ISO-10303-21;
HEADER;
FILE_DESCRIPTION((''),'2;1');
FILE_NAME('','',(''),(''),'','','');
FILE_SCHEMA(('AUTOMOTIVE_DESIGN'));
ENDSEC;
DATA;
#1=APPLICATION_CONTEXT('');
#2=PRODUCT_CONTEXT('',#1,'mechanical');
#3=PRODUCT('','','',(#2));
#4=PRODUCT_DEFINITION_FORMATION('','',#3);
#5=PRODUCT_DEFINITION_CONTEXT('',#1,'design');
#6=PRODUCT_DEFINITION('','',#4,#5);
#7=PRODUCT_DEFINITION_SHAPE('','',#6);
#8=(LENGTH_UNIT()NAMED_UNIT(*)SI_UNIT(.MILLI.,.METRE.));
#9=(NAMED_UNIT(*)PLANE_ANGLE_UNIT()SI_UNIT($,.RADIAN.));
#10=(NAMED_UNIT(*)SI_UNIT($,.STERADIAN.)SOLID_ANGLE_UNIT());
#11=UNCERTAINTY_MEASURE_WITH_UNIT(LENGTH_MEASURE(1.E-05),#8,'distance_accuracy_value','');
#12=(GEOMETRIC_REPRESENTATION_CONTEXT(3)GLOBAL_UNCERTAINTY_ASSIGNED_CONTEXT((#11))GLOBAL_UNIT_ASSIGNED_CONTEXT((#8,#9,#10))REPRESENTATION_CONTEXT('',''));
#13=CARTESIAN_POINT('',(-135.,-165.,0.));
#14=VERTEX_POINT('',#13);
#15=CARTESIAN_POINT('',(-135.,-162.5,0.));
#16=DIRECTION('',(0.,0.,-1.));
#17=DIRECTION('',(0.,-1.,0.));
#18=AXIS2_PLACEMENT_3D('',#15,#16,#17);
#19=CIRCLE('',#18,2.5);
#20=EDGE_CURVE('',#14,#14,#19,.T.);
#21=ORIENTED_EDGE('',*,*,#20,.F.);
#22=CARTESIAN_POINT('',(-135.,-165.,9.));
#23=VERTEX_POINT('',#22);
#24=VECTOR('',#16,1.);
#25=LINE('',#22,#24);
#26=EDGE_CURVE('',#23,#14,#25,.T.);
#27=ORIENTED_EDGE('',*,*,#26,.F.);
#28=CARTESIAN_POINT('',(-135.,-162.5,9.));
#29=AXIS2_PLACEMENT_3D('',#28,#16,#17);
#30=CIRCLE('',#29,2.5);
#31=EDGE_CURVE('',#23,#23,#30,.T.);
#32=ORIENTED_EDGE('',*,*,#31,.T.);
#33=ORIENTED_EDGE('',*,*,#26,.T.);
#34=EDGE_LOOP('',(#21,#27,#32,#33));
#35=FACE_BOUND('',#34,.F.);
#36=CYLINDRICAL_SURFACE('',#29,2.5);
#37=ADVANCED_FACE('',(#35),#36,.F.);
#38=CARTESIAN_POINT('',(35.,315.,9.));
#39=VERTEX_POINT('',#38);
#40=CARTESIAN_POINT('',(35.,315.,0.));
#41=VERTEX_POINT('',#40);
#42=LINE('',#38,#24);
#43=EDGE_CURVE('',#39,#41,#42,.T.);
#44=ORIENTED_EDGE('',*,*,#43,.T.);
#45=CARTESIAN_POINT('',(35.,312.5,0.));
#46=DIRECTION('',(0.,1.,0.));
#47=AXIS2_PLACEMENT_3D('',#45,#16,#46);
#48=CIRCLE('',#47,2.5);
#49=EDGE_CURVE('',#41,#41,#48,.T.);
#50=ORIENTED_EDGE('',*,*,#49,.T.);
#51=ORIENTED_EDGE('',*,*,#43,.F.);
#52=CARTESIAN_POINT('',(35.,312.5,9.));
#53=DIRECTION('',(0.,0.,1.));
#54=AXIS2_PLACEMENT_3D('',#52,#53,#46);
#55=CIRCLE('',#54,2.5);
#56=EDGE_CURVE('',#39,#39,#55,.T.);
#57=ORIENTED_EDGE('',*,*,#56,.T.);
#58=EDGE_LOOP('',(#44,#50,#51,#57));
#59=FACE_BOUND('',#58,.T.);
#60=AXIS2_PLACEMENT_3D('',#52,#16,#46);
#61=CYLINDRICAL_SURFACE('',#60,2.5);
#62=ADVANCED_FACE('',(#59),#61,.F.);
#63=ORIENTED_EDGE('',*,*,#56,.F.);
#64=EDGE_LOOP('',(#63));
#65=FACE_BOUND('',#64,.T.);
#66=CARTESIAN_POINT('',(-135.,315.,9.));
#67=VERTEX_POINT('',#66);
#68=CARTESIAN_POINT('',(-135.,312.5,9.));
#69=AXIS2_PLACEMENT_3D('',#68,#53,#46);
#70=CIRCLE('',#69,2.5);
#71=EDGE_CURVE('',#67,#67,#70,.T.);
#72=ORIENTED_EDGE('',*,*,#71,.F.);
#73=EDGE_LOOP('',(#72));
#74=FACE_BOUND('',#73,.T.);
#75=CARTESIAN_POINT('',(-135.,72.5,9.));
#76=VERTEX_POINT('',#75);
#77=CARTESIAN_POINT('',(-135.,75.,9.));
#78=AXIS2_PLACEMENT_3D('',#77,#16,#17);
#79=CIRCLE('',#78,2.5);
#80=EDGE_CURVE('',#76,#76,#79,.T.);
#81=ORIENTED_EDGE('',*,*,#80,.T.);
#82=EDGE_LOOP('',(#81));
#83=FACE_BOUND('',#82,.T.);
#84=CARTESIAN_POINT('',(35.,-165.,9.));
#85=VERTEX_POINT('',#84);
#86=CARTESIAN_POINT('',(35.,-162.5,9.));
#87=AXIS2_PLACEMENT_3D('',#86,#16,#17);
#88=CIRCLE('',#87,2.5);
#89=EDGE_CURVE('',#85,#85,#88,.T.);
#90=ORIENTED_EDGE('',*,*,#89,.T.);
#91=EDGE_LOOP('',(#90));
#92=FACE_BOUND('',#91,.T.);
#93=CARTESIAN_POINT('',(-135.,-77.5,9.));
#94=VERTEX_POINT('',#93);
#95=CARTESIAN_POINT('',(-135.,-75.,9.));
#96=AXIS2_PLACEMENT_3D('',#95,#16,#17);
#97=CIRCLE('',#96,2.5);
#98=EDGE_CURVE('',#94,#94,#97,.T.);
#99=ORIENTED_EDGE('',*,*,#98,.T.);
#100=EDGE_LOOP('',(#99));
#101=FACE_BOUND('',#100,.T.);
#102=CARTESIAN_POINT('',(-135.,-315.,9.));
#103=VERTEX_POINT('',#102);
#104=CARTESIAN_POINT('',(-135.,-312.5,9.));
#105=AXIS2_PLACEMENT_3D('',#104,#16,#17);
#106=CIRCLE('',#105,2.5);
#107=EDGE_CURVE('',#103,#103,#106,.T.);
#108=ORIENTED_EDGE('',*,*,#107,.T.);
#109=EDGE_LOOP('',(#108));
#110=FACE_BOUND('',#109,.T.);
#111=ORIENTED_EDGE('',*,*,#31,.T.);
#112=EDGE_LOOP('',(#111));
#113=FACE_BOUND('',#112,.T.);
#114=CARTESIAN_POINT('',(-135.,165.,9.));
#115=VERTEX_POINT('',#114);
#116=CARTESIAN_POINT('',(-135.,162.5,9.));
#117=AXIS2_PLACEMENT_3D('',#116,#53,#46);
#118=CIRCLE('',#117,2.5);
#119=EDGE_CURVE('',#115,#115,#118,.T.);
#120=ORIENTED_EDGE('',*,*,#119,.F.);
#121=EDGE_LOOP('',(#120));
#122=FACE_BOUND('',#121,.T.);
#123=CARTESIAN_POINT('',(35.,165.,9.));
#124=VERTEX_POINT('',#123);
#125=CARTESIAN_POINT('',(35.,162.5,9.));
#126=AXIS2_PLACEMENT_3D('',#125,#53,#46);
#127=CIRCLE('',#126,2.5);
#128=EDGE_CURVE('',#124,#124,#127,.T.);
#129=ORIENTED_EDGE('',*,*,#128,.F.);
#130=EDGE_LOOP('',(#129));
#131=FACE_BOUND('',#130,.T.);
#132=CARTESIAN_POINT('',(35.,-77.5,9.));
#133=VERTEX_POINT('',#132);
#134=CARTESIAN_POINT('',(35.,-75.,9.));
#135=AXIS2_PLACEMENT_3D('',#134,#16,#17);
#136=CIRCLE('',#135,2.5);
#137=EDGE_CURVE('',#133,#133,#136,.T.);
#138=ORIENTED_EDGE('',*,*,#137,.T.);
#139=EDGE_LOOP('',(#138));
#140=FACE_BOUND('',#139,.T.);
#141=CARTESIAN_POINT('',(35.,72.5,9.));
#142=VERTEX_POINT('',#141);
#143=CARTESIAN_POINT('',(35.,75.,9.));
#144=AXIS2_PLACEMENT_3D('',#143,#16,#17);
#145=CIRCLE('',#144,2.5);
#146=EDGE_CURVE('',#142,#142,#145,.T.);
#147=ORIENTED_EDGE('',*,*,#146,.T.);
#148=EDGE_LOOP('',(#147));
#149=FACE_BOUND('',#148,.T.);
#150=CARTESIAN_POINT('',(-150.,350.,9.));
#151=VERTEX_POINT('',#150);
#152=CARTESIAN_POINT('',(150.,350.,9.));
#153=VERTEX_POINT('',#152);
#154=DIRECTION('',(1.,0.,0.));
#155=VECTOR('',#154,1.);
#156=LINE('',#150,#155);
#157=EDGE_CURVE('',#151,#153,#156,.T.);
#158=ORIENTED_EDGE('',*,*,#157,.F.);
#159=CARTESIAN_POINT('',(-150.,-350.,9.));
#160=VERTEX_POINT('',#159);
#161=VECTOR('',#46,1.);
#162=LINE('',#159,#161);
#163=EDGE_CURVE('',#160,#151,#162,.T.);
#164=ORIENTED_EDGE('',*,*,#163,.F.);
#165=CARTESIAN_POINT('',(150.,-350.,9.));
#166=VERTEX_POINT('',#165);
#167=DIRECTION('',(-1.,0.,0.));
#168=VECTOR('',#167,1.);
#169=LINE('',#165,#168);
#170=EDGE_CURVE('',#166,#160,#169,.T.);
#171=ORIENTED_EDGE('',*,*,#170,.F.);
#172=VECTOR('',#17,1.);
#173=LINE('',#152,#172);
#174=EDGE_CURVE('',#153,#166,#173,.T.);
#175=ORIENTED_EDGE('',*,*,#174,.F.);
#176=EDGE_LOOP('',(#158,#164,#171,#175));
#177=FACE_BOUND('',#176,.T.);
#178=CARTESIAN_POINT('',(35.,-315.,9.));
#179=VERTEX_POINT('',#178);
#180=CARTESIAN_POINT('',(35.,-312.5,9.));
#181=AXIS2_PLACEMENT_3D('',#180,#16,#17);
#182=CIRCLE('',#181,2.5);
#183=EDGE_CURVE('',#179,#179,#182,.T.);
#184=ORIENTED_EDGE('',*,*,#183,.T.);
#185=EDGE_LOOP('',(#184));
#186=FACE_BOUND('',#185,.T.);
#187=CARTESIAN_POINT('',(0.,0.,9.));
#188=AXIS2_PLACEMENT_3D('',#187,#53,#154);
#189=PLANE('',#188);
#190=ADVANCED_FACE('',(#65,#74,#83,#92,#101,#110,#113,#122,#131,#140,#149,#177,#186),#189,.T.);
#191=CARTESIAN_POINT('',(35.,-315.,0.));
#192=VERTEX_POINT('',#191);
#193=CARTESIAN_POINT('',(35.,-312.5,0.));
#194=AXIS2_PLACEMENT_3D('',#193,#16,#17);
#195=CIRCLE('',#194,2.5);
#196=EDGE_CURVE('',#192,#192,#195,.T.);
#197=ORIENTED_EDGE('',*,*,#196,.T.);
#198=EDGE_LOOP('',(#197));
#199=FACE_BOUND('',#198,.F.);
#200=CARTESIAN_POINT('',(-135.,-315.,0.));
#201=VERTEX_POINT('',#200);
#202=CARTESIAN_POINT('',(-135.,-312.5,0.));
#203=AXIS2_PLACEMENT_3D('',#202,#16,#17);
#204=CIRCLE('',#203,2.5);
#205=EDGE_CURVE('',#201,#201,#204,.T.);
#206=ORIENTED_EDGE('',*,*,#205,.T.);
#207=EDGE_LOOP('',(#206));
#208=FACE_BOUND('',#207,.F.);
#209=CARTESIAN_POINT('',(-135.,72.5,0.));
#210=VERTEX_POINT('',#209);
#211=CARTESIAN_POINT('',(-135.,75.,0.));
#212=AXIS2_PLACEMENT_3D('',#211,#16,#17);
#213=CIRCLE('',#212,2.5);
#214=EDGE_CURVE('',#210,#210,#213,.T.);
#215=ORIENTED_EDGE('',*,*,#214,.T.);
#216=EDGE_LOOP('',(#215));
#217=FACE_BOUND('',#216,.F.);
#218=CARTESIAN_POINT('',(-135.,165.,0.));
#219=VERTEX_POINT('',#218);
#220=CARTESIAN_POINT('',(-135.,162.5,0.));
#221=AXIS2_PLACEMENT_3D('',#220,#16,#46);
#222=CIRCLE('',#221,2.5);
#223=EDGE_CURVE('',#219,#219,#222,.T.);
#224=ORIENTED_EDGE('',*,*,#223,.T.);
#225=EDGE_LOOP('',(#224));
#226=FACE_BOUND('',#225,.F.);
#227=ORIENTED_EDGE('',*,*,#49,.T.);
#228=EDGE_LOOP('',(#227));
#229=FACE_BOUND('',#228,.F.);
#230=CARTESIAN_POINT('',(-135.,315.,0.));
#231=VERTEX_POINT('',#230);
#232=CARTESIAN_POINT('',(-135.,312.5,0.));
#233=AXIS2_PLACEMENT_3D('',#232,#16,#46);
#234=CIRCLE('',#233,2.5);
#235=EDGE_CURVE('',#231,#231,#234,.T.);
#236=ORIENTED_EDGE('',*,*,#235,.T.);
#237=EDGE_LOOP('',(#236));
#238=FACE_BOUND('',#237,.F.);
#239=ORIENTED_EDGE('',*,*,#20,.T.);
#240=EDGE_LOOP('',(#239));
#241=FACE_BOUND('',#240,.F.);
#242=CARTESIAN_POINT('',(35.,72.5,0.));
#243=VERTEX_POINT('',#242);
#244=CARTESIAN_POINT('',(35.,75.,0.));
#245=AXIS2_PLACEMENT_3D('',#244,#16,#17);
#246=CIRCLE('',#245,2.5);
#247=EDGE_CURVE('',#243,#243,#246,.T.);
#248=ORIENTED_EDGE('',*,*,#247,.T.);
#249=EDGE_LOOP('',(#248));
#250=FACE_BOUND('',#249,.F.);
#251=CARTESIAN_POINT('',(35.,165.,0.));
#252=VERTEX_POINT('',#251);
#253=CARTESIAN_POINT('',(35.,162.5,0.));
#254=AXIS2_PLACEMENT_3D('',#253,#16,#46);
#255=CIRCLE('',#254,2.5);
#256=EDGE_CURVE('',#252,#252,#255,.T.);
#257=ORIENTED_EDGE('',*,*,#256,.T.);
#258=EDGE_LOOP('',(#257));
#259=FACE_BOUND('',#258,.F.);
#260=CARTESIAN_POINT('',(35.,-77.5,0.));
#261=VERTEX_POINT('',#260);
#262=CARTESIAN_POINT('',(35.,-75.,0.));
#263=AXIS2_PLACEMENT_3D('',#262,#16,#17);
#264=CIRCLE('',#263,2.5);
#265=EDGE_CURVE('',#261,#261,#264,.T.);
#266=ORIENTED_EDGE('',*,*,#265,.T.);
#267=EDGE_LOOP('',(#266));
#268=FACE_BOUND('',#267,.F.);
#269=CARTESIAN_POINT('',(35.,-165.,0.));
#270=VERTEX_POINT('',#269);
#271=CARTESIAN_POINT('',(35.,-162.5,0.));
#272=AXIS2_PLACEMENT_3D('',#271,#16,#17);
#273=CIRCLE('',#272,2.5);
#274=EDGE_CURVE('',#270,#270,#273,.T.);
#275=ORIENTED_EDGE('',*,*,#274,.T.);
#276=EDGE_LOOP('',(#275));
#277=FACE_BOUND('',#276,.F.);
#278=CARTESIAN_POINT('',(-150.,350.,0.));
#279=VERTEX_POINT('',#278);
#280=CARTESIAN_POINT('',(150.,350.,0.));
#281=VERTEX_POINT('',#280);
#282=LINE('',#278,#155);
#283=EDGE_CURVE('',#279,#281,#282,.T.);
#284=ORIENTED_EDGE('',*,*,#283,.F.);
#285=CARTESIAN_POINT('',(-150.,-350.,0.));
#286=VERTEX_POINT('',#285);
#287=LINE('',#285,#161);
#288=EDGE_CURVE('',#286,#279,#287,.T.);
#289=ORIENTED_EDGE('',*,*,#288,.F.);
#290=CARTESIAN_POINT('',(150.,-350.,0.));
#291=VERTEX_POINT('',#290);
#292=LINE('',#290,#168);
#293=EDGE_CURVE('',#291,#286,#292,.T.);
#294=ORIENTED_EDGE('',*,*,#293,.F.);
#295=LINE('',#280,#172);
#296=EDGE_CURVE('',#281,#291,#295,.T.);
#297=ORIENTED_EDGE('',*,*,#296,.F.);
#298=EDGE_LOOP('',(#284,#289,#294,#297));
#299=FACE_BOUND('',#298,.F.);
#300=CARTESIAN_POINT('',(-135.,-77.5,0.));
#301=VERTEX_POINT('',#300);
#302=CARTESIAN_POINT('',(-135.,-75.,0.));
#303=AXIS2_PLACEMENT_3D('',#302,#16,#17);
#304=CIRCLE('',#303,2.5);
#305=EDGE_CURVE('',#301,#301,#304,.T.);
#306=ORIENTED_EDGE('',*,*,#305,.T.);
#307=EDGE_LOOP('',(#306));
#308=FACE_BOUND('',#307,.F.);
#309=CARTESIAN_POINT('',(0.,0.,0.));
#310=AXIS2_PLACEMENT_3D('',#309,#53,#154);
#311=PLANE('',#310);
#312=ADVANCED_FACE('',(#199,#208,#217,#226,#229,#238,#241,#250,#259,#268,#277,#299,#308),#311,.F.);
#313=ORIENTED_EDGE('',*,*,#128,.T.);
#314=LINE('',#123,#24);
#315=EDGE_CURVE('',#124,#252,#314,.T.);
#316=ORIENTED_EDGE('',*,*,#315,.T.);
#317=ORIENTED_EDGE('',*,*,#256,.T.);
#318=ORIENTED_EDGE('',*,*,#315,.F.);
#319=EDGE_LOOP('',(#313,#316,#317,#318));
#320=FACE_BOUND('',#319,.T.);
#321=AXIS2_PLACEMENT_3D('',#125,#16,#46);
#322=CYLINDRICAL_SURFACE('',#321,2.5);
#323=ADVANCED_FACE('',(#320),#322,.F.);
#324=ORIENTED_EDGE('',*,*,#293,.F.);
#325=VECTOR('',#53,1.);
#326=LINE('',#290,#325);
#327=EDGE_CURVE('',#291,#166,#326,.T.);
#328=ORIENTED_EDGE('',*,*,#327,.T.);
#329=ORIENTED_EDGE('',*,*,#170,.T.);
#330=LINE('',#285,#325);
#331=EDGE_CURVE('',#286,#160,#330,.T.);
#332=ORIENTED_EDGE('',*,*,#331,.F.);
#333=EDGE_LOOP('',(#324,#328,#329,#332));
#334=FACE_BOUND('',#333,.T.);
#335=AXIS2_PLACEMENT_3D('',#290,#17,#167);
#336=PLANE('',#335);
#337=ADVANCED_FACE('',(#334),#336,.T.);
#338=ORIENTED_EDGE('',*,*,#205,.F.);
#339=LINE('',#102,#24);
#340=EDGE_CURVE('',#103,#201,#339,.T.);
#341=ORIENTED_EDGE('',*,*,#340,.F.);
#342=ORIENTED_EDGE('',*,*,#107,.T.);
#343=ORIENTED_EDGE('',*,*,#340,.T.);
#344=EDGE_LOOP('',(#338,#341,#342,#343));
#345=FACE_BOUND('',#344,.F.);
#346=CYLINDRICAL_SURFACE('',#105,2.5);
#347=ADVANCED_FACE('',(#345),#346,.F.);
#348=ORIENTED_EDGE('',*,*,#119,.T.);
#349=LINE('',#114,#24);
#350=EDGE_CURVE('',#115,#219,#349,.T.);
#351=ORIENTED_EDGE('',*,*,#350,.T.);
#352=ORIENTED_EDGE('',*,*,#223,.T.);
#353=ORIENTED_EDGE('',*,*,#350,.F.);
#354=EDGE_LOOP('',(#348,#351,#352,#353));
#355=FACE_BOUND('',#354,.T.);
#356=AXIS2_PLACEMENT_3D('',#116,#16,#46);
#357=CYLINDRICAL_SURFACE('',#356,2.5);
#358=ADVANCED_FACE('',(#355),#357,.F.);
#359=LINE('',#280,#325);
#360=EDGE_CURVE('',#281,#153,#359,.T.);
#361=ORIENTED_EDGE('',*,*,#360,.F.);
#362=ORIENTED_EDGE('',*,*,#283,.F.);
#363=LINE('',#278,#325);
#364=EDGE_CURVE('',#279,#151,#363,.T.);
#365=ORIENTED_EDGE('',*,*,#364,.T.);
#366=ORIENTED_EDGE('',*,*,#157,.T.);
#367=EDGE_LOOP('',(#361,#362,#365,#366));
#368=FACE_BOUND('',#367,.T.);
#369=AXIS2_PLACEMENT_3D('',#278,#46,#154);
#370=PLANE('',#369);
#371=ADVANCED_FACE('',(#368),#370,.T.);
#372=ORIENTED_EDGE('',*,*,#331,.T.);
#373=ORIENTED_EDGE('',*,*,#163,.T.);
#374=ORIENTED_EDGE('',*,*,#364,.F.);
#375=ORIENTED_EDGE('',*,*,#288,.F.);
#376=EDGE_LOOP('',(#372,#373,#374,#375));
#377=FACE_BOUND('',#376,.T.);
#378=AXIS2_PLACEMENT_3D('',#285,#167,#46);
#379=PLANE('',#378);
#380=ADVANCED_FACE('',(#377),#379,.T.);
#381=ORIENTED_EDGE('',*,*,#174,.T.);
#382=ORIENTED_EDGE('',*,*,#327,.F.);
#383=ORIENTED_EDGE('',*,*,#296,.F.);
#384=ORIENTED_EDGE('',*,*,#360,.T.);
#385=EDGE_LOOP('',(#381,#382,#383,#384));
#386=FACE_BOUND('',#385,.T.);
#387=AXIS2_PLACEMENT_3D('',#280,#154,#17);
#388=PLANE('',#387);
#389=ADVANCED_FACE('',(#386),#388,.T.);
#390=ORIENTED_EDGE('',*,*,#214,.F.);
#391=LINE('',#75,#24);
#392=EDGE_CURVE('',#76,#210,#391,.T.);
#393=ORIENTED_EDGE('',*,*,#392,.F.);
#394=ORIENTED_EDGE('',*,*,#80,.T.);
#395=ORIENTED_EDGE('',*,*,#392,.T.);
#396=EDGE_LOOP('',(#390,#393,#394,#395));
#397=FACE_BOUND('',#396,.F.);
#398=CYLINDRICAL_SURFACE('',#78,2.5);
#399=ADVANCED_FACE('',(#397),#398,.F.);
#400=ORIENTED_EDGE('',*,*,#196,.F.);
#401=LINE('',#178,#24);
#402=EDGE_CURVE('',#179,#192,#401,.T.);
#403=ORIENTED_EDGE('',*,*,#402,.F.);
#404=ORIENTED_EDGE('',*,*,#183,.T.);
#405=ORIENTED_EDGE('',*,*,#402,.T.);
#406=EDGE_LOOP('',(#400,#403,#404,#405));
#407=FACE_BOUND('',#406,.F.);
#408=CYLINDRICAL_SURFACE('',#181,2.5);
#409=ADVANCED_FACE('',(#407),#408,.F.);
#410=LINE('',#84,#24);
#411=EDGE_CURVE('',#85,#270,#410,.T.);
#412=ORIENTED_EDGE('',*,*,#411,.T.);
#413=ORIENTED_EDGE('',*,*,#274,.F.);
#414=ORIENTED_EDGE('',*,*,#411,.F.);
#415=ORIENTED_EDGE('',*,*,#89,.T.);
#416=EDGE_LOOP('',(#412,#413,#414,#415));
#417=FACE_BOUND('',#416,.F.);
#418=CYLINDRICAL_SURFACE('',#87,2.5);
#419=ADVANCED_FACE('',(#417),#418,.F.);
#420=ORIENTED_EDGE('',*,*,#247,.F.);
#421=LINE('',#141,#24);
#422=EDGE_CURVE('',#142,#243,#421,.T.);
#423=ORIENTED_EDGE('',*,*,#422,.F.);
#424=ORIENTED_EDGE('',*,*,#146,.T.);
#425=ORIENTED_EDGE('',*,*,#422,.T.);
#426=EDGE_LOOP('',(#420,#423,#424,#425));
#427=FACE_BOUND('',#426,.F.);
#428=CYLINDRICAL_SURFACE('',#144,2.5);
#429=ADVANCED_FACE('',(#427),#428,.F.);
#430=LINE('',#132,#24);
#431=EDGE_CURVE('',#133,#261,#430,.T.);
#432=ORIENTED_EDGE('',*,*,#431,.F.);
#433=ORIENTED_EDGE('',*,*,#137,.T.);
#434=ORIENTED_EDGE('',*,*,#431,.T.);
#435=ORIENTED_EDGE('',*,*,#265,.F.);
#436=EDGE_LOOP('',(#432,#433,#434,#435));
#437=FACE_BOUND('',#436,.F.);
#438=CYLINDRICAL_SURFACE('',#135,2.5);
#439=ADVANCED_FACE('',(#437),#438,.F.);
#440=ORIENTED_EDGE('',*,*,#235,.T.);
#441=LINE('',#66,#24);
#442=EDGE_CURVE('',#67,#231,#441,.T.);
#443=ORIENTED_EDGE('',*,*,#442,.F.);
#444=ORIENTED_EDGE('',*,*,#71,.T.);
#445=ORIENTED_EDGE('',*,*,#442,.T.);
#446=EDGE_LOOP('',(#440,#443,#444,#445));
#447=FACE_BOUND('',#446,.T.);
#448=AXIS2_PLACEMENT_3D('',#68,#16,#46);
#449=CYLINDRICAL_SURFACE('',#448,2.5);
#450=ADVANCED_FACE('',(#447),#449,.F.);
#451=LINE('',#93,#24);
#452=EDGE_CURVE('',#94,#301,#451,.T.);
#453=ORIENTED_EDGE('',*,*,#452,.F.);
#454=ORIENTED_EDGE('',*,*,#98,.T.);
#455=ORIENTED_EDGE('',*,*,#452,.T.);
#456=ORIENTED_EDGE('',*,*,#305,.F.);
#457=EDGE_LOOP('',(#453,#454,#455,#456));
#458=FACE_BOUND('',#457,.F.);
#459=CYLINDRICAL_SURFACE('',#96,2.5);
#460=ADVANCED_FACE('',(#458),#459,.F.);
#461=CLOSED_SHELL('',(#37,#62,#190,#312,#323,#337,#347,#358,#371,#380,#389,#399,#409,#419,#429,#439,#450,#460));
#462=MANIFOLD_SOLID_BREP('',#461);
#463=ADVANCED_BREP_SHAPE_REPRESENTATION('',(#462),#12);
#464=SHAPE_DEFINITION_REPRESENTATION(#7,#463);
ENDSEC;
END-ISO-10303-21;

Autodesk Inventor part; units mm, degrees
ref_plane "YZ Plane" through (0, 0, 0) normal (1, 0, 0) x (0, 1, 0)
ref_plane "XZ Plane" through (0, 0, 0) normal (0, 1, 0) x (-1, 0, 0)
ref_plane "XY Plane" through (0, 0, 0) normal (0, 0, 1) x (1, 0, 0)
sketch "Sketch1" plane through (0, 0, 0) normal (0, 0, 1) x (1, 0, 0)
  line L0 (150, -350) -> (-150, -350)
  line L1 (-150, -350) -> (-150, 350)
  line L2 (-150, 350) -> (150, 350)
  line L3 (150, 350) -> (150, -350)
  line L4 (150, -350) -> (-150, 350) construction
  line L5 (-150, -350) -> (150, 350) construction
  point P0 (0, 0)
  dimension "d0" = 700
  dimension "d1" = 300
extrude "Extrusion1" add sketch "Sketch1" along normal blind 9
sketch "Sketch2" plane through (0, 0, 9) normal (0, 0, 1) x (1, 0, 0)
  line L0 (-135, -162.5) -> (35, -162.5) construction
  line L1 (35, -162.5) -> (35, -312.5) construction
  line L2 (35, -312.5) -> (-135, -312.5) construction
  line L3 (-135, -312.5) -> (-135, -162.5) construction
  point P0 (0, 0)
  point P1 (-150, -350)
  dimension "d4" = 170
  dimension "d5" = 150
  dimension "d16" = 37.5
  dimension "d17" = 15
hole "Hole1" at (35, -162.5, 9) at (35, -312.5, 9) at (-135, -162.5, 9) at (-135, -312.5, 9) direction (0, 0, -1) diameter 5 end through all
mirror "Mirror1" about plane through (0, 0, 0) normal (0, 1, 0) of "Hole1"
sketch "Sketch4" plane through (0, 0, 9) normal (0, 0, 1) x (1, 0, 0)
  line L0 (-135, 75) -> (35, 75) construction
  line L1 (35, 75) -> (35, -75) construction
  line L2 (35, -75) -> (-135, -75) construction
  line L3 (-135, -75) -> (-135, 75) construction
  circle A0 centre (35, 162.5) radius 2.5 construction
  circle A1 centre (-135, 162.5) radius 2.5 construction
  circle A2 centre (35, 312.5) radius 2.5 construction
  circle A3 centre (35, -162.5) radius 2.5 construction
  point P0 (0, 0)
  dimension "d18" = 150
  dimension "d19" = 170
  dimension "d20" = 170
  dimension "d21" = 150
  dimension "d22" = 87.5
  dimension "d23" = 87.5
  dimension "d24" = 0
hole "Hole2" at (35, 75, 9) at (35, -75, 9) at (-135, -75, 9) at (-135, 75, 9) direction (0, 0, -1) diameter 5 end through all
equation "\"d18\" = d21"
equation "\"d19\" = d20"
properties part number "GBX_002.1-bottom-plate"
